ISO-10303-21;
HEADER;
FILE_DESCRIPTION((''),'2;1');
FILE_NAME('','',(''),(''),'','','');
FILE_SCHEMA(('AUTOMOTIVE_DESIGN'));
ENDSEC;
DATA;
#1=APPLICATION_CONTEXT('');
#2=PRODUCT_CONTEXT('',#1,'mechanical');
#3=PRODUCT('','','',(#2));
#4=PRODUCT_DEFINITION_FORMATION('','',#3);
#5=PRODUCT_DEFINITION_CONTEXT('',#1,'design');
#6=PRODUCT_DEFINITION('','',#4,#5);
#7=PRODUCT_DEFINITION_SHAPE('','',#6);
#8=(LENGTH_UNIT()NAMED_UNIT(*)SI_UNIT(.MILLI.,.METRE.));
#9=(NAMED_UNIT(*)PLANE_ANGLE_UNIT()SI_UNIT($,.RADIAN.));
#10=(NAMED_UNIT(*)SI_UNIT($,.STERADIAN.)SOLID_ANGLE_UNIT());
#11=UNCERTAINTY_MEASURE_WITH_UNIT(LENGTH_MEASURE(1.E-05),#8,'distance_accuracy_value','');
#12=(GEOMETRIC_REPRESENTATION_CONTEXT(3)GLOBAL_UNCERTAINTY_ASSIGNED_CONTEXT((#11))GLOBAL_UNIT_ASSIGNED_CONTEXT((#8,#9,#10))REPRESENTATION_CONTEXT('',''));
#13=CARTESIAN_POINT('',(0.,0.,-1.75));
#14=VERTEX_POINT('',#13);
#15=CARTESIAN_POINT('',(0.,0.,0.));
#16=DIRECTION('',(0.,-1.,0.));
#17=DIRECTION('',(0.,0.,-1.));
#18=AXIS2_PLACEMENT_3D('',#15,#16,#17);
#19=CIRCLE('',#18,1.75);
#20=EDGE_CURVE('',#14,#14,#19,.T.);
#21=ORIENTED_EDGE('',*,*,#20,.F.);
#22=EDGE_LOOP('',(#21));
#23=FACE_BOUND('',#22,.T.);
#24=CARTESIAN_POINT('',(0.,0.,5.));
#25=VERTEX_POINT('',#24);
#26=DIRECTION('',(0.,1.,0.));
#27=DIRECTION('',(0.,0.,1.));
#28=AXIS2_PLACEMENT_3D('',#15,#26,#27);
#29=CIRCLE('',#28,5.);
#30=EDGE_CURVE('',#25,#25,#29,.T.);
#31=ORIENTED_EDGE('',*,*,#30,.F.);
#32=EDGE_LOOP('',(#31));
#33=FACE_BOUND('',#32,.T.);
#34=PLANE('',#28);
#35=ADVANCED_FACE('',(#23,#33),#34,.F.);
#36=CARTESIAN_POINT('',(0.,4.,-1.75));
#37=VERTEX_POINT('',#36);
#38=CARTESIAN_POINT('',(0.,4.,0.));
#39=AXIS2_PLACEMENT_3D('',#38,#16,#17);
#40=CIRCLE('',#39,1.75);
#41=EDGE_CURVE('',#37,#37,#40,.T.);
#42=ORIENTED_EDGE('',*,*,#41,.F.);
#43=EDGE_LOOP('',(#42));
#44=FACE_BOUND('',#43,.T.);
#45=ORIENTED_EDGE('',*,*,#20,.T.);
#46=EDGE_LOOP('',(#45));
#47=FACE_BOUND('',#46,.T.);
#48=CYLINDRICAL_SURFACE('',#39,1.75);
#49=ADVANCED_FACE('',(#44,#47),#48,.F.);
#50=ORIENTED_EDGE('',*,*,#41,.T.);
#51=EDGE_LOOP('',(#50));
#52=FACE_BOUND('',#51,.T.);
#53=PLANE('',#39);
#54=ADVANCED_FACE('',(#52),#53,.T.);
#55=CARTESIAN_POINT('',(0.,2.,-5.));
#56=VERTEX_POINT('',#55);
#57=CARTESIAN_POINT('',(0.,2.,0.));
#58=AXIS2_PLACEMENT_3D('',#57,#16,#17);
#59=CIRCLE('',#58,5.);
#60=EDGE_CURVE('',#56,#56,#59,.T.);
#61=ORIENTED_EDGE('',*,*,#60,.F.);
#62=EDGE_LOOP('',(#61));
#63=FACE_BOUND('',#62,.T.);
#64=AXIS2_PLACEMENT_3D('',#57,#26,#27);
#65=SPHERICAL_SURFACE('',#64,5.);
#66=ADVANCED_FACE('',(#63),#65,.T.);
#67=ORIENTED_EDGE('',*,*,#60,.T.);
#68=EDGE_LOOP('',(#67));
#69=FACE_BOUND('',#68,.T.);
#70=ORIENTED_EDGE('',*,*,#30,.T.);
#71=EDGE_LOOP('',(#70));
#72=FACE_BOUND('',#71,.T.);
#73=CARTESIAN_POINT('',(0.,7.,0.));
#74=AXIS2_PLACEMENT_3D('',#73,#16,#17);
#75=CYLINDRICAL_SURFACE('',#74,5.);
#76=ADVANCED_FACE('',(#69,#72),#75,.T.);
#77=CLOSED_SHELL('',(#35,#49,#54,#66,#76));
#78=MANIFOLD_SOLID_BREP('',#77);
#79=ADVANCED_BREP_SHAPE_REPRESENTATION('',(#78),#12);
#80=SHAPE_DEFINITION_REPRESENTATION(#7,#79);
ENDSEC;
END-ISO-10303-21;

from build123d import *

# Parameters (mm, degrees)
SKETCH1_R           = 5
BOSS_EXTRUDE1_DEPTH = 7
FILLET1_R           = 5
SKETCH2_R           = 1.75
CUT_EXTRUDE1_DEPTH  = 4


with BuildPart() as part:
    # Sketch1 → Boss-Extrude1 (new body)
    with BuildSketch(Plane(origin=(0, 0, 0), x_dir=(1, 0, 0), z_dir=(0, 1, 0))):
        Circle(SKETCH1_R)
    extrude(amount=BOSS_EXTRUDE1_DEPTH)

    # Fillet1
    fillet1_edges = [part.edges().sort_by_distance(p)[0] for p in [
        (-5, 7, 0),
    ]]
    fillet(fillet1_edges, radius=FILLET1_R)

    # Sketch2 → Cut-Extrude1 (cut)
    with BuildSketch(Plane.XZ):
        Circle(SKETCH2_R)
    extrude(amount=-CUT_EXTRUDE1_DEPTH, mode=Mode.SUBTRACT)


solid = part.part
